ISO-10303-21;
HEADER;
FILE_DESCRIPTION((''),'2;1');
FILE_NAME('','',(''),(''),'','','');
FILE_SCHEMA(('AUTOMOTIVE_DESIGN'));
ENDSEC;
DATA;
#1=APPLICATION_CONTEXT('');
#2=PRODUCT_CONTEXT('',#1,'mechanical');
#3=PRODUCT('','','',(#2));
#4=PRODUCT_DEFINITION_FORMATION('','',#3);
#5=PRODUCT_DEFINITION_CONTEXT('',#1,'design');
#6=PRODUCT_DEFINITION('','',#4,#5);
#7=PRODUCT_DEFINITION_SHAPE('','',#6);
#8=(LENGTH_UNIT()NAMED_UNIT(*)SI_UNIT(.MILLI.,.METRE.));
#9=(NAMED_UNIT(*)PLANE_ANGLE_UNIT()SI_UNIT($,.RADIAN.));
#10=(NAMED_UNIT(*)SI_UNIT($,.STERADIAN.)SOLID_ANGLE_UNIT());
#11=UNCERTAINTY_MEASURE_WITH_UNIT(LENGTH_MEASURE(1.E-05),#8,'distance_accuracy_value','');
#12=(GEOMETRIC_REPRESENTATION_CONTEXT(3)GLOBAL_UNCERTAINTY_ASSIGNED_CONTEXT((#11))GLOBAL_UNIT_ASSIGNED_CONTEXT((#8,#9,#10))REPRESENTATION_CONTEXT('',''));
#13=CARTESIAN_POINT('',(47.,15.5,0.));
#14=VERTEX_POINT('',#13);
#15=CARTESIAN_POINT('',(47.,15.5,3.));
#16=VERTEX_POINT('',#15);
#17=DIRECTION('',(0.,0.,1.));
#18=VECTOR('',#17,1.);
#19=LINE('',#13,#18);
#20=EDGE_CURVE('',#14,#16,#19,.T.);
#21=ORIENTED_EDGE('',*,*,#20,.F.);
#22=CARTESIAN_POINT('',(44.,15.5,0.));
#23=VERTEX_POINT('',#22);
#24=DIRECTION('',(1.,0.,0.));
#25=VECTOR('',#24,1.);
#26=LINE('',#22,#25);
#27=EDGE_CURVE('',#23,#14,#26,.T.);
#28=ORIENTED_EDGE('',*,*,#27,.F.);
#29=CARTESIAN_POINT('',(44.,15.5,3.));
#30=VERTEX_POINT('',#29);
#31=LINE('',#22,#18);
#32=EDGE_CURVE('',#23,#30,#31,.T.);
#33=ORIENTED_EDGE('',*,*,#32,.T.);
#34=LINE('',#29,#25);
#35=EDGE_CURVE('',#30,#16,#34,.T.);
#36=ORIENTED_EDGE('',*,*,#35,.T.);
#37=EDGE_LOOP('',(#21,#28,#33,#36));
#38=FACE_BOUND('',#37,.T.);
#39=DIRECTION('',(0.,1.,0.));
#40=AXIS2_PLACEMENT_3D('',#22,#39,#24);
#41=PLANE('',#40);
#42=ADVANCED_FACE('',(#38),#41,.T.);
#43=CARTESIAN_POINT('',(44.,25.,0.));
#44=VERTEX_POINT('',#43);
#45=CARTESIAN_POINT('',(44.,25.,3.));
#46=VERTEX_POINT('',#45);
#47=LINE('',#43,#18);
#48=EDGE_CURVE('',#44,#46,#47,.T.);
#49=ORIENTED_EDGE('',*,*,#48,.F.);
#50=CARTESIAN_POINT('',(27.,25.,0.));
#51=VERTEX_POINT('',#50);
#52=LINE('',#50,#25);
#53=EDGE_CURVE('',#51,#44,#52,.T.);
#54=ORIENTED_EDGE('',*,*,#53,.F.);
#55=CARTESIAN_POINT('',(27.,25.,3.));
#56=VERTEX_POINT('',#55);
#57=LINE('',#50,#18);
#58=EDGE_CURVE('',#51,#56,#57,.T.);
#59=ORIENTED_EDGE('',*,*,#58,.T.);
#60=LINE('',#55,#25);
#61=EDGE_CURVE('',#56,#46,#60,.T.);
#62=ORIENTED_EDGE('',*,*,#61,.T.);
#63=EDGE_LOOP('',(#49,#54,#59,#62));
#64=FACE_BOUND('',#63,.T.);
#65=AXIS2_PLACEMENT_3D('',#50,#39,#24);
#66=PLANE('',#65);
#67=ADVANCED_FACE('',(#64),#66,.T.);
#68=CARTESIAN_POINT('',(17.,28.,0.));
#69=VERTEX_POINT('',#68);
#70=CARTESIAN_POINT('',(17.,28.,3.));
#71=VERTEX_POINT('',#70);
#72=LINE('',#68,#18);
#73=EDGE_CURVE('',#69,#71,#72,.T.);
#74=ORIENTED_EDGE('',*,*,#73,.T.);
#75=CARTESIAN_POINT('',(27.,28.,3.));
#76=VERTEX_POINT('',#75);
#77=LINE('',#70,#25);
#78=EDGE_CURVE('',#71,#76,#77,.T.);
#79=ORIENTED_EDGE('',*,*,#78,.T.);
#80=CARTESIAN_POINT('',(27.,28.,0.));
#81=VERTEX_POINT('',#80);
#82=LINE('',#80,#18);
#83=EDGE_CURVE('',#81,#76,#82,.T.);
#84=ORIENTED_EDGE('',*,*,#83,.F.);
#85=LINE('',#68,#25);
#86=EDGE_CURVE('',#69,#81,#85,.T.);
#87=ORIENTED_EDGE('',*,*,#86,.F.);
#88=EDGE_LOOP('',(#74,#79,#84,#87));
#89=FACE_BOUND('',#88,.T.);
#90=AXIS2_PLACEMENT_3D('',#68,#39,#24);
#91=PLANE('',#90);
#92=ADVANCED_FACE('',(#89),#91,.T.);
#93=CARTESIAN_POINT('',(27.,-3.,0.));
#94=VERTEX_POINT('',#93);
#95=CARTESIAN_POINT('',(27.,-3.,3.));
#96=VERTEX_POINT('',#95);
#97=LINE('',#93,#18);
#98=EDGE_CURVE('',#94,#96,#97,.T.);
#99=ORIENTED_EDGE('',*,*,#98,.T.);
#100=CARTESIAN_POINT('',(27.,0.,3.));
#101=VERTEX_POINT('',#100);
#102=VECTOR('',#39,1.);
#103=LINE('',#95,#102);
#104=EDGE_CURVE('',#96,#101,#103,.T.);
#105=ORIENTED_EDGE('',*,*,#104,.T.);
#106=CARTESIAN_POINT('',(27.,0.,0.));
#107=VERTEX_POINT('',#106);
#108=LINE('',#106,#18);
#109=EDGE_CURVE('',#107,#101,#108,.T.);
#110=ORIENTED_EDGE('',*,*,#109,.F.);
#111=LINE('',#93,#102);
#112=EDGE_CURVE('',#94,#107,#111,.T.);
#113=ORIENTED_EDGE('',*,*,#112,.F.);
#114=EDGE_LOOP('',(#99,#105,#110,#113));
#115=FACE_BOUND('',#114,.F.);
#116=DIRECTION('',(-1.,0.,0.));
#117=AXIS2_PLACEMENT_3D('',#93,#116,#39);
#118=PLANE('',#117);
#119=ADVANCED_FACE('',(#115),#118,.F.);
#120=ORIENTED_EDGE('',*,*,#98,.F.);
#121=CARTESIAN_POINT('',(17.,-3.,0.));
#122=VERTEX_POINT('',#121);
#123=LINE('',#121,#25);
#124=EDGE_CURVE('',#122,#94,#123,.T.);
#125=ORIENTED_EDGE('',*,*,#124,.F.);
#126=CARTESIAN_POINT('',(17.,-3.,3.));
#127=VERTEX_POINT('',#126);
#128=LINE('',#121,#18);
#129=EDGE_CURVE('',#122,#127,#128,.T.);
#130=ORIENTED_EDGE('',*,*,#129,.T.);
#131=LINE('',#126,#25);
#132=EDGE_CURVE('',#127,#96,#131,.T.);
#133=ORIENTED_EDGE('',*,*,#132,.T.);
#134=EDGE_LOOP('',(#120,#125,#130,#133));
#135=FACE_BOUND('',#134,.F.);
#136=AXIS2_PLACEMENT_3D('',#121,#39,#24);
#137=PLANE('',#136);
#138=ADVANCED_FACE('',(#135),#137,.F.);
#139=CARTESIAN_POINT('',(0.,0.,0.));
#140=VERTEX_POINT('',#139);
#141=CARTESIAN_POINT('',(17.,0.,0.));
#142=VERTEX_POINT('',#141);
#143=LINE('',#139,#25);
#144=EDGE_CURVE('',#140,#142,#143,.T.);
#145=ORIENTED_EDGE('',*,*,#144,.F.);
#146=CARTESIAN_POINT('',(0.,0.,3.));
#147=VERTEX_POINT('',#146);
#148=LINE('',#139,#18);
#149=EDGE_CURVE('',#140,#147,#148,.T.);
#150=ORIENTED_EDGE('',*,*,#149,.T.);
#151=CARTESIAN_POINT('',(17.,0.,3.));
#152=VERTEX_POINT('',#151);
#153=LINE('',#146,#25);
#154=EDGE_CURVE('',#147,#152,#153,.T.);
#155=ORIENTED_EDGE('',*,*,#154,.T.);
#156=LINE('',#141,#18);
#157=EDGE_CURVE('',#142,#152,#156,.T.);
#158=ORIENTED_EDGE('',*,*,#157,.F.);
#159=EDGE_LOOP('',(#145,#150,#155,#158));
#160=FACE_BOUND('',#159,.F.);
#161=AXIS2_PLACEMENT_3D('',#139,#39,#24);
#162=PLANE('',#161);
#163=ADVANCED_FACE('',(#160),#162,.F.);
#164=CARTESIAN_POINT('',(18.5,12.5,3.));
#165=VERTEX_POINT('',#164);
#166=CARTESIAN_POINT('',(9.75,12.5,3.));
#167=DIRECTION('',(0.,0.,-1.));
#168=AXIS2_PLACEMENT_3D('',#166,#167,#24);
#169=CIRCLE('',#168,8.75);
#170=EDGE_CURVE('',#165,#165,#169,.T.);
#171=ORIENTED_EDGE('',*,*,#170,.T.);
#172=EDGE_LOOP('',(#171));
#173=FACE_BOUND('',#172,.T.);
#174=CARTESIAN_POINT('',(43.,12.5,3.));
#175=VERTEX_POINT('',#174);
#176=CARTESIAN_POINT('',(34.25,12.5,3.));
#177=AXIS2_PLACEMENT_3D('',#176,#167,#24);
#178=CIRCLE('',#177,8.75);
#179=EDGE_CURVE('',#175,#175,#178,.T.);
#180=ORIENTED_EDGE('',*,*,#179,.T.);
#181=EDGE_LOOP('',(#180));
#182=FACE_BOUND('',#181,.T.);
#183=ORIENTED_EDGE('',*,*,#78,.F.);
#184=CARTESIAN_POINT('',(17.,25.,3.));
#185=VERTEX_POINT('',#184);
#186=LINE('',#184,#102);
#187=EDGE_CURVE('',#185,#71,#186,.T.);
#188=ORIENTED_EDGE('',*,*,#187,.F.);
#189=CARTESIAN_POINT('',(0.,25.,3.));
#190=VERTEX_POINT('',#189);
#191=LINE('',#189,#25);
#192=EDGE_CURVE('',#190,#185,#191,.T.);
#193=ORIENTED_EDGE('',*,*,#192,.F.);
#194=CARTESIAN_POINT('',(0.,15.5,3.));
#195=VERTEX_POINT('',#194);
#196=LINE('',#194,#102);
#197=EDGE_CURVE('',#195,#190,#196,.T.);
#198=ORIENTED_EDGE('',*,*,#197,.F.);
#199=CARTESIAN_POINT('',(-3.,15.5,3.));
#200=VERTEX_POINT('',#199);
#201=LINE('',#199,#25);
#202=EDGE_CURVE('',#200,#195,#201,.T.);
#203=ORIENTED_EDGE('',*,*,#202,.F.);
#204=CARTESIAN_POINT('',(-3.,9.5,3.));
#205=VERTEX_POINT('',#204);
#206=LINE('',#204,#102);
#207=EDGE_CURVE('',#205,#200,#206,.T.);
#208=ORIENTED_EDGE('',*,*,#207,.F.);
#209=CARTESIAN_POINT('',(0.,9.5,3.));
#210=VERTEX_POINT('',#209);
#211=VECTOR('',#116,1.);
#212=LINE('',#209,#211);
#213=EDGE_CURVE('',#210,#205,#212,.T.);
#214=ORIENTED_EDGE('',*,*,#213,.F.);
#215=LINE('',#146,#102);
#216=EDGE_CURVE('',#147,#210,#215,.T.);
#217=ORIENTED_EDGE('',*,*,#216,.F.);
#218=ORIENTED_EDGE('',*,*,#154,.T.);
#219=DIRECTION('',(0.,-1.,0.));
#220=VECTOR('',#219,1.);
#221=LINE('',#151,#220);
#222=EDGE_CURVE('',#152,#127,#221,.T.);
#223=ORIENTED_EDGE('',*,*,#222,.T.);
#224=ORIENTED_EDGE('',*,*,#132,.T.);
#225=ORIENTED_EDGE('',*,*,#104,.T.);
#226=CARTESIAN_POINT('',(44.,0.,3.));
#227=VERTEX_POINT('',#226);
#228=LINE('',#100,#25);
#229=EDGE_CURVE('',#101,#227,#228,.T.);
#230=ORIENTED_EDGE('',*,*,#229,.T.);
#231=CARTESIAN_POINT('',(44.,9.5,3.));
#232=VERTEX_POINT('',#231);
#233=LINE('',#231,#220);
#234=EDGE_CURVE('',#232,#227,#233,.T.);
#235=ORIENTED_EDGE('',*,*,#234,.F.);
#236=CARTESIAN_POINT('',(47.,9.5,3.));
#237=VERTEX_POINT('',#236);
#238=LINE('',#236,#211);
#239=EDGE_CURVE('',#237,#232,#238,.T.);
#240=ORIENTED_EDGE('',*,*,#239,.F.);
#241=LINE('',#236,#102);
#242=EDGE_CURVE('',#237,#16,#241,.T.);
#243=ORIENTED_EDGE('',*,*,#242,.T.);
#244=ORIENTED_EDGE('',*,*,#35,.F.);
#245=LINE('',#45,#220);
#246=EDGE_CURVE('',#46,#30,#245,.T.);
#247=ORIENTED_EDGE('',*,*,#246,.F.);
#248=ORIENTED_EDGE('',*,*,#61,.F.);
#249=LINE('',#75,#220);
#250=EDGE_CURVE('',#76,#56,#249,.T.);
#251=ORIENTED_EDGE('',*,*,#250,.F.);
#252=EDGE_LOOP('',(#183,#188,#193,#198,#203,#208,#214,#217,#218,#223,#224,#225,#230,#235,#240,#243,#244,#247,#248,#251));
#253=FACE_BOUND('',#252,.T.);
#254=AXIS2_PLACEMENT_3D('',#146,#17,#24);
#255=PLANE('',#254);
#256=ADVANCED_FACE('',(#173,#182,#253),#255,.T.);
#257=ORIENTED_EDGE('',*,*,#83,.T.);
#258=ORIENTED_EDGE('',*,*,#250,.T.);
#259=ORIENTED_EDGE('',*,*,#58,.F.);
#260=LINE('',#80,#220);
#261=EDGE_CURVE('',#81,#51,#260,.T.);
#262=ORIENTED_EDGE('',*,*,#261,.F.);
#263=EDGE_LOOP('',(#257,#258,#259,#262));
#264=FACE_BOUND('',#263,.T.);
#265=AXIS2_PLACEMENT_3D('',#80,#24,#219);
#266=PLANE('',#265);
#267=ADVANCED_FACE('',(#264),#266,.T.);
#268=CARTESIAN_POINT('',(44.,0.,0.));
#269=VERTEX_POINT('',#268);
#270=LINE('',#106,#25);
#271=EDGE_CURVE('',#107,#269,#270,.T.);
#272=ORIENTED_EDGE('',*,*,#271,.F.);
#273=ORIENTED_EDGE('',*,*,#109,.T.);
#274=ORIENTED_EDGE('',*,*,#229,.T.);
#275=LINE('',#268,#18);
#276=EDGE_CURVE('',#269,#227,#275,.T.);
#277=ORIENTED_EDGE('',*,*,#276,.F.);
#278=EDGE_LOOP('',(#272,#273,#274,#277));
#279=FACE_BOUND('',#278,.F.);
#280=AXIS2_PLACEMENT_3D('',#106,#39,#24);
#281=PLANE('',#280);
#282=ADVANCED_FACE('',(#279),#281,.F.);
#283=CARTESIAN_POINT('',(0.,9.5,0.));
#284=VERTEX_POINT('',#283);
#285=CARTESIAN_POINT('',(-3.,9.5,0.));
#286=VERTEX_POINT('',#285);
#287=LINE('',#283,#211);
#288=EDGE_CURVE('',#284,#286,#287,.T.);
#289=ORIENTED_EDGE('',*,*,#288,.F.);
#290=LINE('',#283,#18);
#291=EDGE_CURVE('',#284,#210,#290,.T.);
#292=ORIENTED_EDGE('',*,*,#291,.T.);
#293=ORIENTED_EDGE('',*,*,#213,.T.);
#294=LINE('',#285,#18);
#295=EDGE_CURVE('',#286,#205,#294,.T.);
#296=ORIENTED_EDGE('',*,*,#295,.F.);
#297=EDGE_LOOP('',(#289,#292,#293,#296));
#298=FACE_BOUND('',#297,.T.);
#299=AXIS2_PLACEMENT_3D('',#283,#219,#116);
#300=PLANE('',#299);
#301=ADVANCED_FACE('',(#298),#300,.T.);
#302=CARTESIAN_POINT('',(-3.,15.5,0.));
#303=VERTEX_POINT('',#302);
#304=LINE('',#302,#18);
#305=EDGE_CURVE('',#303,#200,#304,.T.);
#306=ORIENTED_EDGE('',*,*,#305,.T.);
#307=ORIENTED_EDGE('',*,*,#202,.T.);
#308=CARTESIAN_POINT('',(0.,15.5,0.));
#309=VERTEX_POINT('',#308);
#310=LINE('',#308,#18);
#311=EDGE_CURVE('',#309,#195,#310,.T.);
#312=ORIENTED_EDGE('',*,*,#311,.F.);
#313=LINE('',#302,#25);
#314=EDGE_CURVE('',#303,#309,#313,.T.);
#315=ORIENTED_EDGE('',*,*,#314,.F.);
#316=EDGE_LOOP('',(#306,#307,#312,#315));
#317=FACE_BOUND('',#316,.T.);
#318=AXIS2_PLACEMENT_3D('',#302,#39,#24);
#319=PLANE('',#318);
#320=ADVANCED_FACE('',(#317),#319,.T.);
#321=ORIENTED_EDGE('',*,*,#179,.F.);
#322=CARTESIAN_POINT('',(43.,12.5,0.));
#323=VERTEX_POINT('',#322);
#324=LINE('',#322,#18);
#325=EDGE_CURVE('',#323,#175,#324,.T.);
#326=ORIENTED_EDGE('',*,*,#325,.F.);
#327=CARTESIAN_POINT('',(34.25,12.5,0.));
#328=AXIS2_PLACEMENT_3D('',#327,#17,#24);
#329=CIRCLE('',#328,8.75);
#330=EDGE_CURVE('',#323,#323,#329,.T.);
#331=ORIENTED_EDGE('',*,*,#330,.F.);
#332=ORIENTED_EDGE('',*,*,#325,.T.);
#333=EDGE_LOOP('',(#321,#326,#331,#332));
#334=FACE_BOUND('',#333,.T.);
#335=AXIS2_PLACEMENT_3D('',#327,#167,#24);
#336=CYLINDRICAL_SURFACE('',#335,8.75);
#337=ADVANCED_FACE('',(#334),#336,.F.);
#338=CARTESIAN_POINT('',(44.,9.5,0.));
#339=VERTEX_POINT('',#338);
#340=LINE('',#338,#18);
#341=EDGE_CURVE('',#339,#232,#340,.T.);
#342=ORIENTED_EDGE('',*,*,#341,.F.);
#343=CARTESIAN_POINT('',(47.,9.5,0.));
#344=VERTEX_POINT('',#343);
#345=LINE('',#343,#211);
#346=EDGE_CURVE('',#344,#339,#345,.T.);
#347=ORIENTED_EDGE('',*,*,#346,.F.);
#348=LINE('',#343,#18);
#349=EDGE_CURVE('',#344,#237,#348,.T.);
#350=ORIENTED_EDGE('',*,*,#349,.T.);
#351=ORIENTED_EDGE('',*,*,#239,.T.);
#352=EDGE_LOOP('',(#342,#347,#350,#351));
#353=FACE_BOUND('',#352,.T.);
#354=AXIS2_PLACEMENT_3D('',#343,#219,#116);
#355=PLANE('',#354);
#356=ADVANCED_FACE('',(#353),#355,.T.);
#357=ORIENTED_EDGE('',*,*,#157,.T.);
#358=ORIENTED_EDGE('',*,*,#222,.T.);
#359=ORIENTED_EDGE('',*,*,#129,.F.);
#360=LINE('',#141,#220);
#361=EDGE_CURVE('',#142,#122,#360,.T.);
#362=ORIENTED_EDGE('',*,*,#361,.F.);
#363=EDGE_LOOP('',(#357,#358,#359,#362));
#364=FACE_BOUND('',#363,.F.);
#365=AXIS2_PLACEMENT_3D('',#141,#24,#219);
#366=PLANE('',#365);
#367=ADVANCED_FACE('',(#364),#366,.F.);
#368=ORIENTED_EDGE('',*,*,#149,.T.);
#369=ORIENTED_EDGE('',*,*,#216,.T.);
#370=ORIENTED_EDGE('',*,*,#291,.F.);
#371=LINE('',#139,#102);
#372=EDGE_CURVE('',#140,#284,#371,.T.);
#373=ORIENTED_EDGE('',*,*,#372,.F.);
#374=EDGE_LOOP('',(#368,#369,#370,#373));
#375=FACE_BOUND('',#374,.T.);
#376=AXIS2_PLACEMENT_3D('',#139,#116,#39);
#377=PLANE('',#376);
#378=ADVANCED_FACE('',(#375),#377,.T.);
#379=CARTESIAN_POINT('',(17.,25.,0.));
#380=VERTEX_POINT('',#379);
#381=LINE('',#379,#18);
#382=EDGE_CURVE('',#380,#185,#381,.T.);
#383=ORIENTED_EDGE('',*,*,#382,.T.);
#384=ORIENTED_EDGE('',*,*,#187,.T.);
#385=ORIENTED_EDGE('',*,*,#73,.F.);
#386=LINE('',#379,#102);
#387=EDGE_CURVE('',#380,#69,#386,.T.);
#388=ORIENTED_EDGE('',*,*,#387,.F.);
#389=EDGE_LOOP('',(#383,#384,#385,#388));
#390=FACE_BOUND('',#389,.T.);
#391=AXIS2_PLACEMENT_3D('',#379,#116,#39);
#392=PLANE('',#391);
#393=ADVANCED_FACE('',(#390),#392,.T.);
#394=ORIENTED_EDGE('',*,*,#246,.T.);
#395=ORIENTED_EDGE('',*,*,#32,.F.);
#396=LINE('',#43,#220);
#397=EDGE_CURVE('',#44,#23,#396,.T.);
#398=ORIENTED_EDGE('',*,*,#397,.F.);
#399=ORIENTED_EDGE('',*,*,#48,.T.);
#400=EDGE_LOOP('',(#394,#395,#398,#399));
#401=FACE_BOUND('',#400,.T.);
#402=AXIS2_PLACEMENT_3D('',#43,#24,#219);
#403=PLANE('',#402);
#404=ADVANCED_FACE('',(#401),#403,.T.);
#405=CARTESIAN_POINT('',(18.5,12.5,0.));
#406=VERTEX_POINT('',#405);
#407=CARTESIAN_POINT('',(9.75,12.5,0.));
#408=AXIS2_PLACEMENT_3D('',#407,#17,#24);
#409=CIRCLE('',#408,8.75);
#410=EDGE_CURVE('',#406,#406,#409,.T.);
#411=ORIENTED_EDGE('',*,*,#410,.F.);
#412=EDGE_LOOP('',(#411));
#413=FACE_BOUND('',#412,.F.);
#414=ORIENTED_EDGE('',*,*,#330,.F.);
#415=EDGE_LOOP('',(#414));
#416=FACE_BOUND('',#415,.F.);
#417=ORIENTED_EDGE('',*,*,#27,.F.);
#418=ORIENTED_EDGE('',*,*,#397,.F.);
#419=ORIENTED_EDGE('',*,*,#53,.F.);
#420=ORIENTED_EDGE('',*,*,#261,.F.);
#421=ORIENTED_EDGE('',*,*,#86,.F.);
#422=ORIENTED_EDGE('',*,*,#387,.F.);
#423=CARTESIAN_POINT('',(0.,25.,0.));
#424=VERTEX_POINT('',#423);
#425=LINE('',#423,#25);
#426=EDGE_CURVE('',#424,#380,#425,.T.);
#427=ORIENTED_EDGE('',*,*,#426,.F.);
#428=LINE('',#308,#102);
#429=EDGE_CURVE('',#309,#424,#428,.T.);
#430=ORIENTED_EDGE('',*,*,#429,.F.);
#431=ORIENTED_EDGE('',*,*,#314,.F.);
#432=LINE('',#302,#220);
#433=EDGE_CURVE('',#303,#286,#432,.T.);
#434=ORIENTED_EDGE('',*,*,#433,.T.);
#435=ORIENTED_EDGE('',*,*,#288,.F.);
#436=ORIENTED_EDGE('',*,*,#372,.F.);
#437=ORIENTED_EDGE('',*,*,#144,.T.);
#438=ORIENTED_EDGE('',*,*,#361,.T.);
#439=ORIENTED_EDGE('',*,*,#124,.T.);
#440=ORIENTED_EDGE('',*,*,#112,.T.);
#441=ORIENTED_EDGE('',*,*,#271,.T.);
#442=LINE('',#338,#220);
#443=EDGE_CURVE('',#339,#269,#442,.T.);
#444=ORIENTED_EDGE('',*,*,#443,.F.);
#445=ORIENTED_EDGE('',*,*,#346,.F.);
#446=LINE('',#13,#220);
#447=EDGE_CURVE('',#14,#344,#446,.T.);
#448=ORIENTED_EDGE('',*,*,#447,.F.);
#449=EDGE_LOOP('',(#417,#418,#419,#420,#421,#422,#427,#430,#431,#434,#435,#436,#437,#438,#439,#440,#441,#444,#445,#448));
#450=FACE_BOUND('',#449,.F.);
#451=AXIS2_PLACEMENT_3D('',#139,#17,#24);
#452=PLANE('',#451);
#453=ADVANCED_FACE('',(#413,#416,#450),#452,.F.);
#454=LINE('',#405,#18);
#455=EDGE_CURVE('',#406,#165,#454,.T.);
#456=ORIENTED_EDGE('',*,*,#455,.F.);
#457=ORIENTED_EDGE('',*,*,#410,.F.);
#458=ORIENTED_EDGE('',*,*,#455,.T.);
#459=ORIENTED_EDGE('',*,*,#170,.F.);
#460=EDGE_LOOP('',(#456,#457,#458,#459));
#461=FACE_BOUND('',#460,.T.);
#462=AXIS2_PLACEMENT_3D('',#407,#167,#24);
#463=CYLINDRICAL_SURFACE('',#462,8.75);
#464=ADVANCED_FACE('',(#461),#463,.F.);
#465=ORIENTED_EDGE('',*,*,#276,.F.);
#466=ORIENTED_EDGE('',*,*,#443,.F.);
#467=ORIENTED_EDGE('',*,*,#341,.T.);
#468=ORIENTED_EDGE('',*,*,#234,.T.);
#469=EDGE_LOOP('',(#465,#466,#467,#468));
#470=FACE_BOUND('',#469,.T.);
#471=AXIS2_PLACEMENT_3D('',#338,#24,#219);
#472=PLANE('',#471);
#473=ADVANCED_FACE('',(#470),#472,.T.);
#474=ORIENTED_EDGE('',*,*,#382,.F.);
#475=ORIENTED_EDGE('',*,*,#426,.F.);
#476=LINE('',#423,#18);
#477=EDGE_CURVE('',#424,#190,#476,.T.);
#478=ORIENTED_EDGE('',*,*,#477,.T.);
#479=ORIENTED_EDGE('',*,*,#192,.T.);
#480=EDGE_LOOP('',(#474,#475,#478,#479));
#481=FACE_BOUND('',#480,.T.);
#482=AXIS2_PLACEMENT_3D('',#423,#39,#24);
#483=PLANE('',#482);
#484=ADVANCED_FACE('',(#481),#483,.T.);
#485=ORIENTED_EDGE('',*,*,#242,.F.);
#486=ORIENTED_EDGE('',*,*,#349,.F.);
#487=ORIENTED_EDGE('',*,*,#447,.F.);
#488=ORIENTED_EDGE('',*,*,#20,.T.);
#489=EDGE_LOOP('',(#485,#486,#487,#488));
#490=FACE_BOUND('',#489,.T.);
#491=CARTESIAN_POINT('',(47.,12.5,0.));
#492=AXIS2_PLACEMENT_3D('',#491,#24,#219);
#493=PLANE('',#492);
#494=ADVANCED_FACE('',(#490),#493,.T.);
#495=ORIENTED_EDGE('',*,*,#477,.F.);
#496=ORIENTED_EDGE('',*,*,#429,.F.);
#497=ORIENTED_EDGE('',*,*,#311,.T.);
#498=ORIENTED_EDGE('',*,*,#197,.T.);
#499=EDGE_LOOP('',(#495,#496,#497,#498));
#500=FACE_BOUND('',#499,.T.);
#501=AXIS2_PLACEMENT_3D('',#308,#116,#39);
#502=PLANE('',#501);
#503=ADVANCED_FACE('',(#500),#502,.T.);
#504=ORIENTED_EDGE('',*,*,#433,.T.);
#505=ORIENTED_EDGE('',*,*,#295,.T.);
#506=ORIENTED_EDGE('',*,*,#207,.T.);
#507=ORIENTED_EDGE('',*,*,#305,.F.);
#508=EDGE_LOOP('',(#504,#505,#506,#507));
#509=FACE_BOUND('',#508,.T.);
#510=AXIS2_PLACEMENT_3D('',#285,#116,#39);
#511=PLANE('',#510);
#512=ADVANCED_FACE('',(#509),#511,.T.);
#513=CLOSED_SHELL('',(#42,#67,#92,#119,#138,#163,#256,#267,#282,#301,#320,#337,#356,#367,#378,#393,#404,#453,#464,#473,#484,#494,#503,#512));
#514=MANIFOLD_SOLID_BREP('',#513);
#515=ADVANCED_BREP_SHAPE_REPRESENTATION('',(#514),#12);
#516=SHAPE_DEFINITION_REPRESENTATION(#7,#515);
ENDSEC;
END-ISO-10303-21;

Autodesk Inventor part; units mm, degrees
ref_plane "YZ Plane" through (0, 0, 0) normal (1, 0, 0) x (0, 1, 0)
ref_plane "XZ Plane" through (0, 0, 0) normal (0, 1, 0) x (-1, 0, 0)
ref_plane "XY Plane" through (0, 0, 0) normal (0, 0, 1) x (1, 0, 0)
sketch "Sketch1" plane through (0, 0, 0) normal (0, 0, 1) x (1, 0, 0)
  line L0 (0, 9.5) -> (-3, 9.5)
  line L1 (-3, 9.5) -> (-3, 15.5)
  line L2 (-3, 15.5) -> (0, 15.5)
  line L3 (0, 15.5) -> (0, 25)
  line L4 (44, 25) -> (44, 15.5)
  line L5 (44, 15.5) -> (47, 15.5)
  line L6 (47, 15.5) -> (47, 9.5)
  line L7 (47, 9.5) -> (44, 9.5)
  line L8 (44, 9.5) -> (44, 0)
  line L9 (0, 0) -> (0, 9.5)
  line L10 (0, 25) -> (17, 25)
  line L11 (17, 25) -> (17, 28)
  line L12 (17, 28) -> (27, 28)
  line L13 (27, 28) -> (27, 25)
  line L14 (27, 25) -> (44, 25)
  line L15 (0, 0) -> (17, 0)
  line L16 (17, 0) -> (17, -3)
  line L17 (17, -3) -> (27, -3)
  line L18 (27, -3) -> (27, 0)
  line L19 (27, 0) -> (44, 0)
  circle A0 centre (9.75, 12.5) radius 8.75
  circle A1 centre (34.25, 12.5) radius 8.75
  line L20 (18.5, 12.5) -> (25.5, 12.5)
  line L21 (-3, 12.5) -> (9.75, 12.5)
  line L22 (34.25, 12.5) -> (47, 12.5)
  dimension "d17" = 17.5
  dimension "d18" = 17.5
  dimension "d2" = 6
  dimension "d3" = 3
  dimension "d7" = 3
  dimension "d8" = 6
  dimension "d12" = 50
  dimension "d13" = 3
  dimension "d14" = 10
  dimension "d15" = 3
  dimension "d19" = 7
  dimension "d22" = 25
extrude "Extrusion1" add sketch "Sketch1" along normal blind 3 contours L0 L1 L21 A0 L20 A1 L22 L6 L7 L8 L19 L18 L17 L16 L15 L9 | L1 L2 L3 L10 L11 L12 L13 L14 L4 L5 L6 L22 A1 L20 A0 L21
